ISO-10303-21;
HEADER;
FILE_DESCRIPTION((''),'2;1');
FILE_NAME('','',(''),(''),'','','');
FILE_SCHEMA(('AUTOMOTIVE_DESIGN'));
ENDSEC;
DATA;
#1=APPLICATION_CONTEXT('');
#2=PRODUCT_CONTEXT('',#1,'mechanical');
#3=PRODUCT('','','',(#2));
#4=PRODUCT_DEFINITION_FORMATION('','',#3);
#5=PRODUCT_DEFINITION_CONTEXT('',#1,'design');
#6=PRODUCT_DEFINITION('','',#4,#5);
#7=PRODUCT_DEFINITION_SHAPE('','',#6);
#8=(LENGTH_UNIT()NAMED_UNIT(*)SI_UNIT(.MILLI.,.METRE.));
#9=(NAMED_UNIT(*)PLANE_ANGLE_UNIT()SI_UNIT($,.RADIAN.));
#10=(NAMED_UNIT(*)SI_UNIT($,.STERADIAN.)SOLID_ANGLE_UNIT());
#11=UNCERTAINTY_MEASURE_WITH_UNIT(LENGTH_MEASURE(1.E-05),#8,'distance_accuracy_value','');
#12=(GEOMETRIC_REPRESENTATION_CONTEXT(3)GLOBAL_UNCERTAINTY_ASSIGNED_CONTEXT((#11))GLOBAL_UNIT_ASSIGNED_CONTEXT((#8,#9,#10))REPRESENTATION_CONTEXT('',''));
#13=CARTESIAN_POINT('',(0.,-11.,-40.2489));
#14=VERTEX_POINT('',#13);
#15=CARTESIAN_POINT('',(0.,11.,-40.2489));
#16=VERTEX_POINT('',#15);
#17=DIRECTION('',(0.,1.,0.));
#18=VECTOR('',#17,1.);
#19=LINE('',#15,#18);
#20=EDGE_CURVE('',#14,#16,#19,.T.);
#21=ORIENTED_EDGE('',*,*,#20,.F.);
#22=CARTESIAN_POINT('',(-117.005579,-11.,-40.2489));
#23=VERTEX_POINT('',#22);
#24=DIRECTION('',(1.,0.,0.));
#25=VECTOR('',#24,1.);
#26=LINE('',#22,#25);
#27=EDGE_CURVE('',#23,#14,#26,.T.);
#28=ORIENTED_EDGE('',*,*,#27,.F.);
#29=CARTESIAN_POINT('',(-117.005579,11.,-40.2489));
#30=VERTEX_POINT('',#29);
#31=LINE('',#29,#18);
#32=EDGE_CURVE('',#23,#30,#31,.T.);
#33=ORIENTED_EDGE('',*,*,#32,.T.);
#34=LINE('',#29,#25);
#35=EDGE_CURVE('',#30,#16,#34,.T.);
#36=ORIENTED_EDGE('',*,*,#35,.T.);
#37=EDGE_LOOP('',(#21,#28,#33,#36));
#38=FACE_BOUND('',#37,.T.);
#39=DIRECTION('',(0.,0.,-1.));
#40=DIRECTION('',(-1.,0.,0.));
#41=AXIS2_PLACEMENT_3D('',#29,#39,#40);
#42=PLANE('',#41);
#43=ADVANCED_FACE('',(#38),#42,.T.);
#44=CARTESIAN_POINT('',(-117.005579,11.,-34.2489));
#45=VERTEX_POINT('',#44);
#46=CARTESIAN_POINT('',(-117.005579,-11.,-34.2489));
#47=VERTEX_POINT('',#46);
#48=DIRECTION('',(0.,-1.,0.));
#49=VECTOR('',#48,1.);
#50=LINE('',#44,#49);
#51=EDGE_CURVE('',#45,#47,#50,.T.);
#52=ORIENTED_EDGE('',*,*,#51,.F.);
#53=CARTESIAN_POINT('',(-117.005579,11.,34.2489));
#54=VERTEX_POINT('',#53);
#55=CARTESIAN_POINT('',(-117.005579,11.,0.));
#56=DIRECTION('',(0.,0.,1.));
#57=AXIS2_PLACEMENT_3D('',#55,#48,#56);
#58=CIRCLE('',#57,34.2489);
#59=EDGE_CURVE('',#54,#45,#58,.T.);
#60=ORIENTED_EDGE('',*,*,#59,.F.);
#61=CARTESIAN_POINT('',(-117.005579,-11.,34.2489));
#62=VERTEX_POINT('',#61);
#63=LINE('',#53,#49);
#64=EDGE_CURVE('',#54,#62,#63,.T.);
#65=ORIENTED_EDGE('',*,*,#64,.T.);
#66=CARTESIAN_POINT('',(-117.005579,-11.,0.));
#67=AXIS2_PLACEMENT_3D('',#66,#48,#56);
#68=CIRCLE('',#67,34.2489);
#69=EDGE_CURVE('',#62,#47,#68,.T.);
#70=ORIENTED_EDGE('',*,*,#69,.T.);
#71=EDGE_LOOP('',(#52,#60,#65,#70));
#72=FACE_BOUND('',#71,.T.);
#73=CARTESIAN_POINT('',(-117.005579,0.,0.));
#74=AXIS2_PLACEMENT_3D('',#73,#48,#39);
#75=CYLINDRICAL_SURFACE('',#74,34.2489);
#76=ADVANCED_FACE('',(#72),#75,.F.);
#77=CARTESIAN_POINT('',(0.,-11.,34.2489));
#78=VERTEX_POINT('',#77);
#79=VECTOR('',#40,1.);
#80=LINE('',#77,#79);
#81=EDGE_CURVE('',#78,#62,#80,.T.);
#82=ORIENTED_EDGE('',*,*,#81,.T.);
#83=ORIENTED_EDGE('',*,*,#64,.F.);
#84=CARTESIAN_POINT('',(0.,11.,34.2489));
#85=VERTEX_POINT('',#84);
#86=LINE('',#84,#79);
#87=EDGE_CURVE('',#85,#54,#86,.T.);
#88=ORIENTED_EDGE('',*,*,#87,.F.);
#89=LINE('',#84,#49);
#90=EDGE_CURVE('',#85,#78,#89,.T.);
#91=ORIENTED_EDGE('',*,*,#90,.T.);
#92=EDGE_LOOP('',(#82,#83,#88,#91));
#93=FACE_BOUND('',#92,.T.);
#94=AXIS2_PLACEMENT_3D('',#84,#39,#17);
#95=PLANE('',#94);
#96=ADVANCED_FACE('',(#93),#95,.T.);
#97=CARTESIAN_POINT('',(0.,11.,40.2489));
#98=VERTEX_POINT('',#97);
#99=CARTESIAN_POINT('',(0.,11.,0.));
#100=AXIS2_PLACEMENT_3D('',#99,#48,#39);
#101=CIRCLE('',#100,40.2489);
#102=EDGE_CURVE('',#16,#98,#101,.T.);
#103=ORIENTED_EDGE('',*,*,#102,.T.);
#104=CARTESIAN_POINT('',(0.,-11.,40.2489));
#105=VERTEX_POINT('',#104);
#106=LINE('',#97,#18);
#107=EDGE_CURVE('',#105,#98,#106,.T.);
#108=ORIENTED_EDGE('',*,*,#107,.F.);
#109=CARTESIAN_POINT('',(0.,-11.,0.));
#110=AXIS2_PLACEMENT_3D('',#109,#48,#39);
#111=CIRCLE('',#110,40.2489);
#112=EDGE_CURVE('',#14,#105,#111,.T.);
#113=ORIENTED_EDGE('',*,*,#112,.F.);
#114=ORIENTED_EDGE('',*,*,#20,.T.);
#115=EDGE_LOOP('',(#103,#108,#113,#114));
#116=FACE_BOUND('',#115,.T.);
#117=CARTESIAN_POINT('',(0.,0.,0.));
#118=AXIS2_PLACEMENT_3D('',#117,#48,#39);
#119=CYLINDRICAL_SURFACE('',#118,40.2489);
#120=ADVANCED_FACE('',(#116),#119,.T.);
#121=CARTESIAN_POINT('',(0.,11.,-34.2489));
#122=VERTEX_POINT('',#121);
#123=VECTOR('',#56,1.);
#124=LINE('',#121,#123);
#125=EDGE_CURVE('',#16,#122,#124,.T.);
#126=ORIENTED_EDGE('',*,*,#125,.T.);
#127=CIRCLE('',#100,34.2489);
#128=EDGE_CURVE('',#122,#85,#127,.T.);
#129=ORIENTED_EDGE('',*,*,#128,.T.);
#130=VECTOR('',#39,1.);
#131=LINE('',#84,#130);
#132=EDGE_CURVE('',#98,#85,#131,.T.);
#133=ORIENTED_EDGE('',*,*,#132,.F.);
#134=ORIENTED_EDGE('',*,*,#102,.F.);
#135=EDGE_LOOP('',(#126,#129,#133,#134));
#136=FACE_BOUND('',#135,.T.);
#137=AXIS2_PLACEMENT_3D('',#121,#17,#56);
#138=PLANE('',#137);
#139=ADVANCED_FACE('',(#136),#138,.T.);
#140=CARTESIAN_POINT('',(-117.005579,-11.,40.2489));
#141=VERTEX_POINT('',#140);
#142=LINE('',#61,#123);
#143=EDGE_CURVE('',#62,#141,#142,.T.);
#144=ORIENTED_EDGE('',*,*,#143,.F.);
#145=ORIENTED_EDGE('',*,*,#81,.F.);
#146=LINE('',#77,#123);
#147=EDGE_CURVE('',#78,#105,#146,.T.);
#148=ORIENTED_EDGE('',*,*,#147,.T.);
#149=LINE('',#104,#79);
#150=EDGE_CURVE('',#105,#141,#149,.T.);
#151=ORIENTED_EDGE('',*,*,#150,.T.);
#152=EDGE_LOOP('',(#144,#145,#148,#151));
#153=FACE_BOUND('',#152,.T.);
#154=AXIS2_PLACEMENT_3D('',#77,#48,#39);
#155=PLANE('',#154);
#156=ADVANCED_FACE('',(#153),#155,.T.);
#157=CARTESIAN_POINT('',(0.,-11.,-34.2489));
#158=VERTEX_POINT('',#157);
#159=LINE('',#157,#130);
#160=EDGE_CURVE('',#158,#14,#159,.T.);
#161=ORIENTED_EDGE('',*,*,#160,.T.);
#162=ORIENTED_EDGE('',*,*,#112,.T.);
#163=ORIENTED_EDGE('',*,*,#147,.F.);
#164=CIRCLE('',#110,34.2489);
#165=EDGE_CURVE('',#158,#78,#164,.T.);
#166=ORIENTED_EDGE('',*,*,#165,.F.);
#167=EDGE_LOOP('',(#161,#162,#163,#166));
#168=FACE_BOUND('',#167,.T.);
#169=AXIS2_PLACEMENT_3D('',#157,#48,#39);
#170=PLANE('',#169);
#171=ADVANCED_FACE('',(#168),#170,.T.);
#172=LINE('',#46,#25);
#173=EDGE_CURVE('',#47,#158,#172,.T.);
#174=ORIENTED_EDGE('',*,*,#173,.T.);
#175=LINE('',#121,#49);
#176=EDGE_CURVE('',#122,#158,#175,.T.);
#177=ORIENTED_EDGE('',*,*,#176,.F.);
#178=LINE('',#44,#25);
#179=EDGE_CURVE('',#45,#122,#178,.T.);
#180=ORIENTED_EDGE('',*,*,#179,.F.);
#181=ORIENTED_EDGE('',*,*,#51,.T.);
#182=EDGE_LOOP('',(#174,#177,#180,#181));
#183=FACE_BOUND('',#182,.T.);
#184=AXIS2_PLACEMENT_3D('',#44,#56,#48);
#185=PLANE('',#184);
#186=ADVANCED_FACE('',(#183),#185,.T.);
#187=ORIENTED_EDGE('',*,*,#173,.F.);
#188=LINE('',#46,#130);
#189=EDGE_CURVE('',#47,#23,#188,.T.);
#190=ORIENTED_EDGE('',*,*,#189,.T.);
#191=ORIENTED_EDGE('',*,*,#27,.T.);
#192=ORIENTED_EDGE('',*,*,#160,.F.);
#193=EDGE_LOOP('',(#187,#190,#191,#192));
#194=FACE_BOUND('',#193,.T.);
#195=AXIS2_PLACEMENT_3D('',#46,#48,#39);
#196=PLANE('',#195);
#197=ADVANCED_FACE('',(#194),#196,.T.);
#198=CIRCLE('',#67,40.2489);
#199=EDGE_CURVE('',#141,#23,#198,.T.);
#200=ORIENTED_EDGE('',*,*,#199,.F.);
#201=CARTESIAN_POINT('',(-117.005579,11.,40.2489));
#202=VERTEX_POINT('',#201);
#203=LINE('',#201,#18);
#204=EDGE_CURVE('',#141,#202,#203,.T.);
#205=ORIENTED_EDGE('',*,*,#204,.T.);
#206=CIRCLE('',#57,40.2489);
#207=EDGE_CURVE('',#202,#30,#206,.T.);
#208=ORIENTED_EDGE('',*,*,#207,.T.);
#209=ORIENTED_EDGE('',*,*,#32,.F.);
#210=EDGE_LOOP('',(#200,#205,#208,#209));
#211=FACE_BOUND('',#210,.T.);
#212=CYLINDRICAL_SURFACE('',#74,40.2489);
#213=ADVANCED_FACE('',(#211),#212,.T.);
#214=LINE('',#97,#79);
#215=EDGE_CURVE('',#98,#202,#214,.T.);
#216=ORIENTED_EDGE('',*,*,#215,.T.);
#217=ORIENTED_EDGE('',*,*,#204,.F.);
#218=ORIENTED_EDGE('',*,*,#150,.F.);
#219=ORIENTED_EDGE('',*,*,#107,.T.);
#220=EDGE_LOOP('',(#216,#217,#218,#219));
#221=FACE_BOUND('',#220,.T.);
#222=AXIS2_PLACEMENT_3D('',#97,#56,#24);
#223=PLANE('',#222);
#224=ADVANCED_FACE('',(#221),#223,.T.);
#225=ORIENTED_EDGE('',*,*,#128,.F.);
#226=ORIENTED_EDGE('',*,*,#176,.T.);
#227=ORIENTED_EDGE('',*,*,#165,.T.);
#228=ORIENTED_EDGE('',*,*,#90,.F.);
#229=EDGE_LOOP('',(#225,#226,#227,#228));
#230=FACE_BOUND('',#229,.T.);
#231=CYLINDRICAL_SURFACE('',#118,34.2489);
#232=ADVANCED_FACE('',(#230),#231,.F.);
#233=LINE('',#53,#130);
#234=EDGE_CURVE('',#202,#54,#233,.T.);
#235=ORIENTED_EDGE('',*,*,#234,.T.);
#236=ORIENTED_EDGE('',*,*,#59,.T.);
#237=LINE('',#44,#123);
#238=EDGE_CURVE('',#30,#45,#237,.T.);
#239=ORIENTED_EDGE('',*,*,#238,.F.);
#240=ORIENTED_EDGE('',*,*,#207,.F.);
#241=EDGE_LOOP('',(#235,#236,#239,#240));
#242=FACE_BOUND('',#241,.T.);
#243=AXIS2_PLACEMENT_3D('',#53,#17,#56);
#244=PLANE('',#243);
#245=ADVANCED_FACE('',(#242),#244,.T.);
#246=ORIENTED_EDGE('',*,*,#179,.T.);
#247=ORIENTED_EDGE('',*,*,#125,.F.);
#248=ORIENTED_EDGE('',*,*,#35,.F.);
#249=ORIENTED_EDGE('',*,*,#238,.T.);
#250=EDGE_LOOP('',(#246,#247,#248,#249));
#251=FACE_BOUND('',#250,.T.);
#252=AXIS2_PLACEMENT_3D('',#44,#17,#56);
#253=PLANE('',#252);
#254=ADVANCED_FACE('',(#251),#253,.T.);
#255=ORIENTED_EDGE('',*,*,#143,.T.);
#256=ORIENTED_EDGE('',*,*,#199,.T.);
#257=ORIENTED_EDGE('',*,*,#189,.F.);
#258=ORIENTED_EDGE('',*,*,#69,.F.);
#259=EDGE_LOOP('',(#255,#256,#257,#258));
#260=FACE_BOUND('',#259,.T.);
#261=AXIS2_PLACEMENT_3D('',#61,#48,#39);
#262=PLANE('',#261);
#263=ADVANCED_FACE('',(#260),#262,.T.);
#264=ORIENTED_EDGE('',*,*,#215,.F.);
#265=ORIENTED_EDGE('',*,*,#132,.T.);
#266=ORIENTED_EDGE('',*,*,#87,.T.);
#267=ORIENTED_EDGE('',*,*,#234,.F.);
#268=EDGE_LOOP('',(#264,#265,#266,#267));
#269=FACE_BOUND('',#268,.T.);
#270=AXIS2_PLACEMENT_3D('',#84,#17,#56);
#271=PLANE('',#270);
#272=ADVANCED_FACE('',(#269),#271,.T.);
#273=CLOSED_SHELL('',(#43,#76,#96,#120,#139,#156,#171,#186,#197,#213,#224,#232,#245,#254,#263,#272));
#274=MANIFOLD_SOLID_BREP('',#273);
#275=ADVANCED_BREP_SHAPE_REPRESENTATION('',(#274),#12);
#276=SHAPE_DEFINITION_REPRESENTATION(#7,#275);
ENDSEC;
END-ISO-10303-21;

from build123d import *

# Parameters (mm, degrees)
SKETCH2_W = 6
SKETCH2_H = 22


with BuildPart() as part:
    # Sweep1: sweep along a path in Sketch1
    with BuildLine(Plane(origin=(0, 0, 0), x_dir=(1, 0, 0), z_dir=(0, 1, 0))) as sweep1_path:
        Line((0, -37.2489), (-117.00557942, -37.2489))
        ThreePointArc((-117.00557942, -37.2489), (-154.25447942, 0), (-117.00557942, 37.2489))
        Line((-117.00557942, 37.2489), (0, 37.2489))
        ThreePointArc((0, 37.2489), (37.2489, 0), (0, -37.2489))
    # Sketch2 → Sweep1 (sweep)
    with BuildSketch(Plane(origin=(-117.00557942, 0, 37.2489), x_dir=(0, 0, 1), z_dir=(-1, 0, 0))):
        Rectangle(SKETCH2_W, SKETCH2_H)
    sweep(path=sweep1_path.line)


solid = part.part
